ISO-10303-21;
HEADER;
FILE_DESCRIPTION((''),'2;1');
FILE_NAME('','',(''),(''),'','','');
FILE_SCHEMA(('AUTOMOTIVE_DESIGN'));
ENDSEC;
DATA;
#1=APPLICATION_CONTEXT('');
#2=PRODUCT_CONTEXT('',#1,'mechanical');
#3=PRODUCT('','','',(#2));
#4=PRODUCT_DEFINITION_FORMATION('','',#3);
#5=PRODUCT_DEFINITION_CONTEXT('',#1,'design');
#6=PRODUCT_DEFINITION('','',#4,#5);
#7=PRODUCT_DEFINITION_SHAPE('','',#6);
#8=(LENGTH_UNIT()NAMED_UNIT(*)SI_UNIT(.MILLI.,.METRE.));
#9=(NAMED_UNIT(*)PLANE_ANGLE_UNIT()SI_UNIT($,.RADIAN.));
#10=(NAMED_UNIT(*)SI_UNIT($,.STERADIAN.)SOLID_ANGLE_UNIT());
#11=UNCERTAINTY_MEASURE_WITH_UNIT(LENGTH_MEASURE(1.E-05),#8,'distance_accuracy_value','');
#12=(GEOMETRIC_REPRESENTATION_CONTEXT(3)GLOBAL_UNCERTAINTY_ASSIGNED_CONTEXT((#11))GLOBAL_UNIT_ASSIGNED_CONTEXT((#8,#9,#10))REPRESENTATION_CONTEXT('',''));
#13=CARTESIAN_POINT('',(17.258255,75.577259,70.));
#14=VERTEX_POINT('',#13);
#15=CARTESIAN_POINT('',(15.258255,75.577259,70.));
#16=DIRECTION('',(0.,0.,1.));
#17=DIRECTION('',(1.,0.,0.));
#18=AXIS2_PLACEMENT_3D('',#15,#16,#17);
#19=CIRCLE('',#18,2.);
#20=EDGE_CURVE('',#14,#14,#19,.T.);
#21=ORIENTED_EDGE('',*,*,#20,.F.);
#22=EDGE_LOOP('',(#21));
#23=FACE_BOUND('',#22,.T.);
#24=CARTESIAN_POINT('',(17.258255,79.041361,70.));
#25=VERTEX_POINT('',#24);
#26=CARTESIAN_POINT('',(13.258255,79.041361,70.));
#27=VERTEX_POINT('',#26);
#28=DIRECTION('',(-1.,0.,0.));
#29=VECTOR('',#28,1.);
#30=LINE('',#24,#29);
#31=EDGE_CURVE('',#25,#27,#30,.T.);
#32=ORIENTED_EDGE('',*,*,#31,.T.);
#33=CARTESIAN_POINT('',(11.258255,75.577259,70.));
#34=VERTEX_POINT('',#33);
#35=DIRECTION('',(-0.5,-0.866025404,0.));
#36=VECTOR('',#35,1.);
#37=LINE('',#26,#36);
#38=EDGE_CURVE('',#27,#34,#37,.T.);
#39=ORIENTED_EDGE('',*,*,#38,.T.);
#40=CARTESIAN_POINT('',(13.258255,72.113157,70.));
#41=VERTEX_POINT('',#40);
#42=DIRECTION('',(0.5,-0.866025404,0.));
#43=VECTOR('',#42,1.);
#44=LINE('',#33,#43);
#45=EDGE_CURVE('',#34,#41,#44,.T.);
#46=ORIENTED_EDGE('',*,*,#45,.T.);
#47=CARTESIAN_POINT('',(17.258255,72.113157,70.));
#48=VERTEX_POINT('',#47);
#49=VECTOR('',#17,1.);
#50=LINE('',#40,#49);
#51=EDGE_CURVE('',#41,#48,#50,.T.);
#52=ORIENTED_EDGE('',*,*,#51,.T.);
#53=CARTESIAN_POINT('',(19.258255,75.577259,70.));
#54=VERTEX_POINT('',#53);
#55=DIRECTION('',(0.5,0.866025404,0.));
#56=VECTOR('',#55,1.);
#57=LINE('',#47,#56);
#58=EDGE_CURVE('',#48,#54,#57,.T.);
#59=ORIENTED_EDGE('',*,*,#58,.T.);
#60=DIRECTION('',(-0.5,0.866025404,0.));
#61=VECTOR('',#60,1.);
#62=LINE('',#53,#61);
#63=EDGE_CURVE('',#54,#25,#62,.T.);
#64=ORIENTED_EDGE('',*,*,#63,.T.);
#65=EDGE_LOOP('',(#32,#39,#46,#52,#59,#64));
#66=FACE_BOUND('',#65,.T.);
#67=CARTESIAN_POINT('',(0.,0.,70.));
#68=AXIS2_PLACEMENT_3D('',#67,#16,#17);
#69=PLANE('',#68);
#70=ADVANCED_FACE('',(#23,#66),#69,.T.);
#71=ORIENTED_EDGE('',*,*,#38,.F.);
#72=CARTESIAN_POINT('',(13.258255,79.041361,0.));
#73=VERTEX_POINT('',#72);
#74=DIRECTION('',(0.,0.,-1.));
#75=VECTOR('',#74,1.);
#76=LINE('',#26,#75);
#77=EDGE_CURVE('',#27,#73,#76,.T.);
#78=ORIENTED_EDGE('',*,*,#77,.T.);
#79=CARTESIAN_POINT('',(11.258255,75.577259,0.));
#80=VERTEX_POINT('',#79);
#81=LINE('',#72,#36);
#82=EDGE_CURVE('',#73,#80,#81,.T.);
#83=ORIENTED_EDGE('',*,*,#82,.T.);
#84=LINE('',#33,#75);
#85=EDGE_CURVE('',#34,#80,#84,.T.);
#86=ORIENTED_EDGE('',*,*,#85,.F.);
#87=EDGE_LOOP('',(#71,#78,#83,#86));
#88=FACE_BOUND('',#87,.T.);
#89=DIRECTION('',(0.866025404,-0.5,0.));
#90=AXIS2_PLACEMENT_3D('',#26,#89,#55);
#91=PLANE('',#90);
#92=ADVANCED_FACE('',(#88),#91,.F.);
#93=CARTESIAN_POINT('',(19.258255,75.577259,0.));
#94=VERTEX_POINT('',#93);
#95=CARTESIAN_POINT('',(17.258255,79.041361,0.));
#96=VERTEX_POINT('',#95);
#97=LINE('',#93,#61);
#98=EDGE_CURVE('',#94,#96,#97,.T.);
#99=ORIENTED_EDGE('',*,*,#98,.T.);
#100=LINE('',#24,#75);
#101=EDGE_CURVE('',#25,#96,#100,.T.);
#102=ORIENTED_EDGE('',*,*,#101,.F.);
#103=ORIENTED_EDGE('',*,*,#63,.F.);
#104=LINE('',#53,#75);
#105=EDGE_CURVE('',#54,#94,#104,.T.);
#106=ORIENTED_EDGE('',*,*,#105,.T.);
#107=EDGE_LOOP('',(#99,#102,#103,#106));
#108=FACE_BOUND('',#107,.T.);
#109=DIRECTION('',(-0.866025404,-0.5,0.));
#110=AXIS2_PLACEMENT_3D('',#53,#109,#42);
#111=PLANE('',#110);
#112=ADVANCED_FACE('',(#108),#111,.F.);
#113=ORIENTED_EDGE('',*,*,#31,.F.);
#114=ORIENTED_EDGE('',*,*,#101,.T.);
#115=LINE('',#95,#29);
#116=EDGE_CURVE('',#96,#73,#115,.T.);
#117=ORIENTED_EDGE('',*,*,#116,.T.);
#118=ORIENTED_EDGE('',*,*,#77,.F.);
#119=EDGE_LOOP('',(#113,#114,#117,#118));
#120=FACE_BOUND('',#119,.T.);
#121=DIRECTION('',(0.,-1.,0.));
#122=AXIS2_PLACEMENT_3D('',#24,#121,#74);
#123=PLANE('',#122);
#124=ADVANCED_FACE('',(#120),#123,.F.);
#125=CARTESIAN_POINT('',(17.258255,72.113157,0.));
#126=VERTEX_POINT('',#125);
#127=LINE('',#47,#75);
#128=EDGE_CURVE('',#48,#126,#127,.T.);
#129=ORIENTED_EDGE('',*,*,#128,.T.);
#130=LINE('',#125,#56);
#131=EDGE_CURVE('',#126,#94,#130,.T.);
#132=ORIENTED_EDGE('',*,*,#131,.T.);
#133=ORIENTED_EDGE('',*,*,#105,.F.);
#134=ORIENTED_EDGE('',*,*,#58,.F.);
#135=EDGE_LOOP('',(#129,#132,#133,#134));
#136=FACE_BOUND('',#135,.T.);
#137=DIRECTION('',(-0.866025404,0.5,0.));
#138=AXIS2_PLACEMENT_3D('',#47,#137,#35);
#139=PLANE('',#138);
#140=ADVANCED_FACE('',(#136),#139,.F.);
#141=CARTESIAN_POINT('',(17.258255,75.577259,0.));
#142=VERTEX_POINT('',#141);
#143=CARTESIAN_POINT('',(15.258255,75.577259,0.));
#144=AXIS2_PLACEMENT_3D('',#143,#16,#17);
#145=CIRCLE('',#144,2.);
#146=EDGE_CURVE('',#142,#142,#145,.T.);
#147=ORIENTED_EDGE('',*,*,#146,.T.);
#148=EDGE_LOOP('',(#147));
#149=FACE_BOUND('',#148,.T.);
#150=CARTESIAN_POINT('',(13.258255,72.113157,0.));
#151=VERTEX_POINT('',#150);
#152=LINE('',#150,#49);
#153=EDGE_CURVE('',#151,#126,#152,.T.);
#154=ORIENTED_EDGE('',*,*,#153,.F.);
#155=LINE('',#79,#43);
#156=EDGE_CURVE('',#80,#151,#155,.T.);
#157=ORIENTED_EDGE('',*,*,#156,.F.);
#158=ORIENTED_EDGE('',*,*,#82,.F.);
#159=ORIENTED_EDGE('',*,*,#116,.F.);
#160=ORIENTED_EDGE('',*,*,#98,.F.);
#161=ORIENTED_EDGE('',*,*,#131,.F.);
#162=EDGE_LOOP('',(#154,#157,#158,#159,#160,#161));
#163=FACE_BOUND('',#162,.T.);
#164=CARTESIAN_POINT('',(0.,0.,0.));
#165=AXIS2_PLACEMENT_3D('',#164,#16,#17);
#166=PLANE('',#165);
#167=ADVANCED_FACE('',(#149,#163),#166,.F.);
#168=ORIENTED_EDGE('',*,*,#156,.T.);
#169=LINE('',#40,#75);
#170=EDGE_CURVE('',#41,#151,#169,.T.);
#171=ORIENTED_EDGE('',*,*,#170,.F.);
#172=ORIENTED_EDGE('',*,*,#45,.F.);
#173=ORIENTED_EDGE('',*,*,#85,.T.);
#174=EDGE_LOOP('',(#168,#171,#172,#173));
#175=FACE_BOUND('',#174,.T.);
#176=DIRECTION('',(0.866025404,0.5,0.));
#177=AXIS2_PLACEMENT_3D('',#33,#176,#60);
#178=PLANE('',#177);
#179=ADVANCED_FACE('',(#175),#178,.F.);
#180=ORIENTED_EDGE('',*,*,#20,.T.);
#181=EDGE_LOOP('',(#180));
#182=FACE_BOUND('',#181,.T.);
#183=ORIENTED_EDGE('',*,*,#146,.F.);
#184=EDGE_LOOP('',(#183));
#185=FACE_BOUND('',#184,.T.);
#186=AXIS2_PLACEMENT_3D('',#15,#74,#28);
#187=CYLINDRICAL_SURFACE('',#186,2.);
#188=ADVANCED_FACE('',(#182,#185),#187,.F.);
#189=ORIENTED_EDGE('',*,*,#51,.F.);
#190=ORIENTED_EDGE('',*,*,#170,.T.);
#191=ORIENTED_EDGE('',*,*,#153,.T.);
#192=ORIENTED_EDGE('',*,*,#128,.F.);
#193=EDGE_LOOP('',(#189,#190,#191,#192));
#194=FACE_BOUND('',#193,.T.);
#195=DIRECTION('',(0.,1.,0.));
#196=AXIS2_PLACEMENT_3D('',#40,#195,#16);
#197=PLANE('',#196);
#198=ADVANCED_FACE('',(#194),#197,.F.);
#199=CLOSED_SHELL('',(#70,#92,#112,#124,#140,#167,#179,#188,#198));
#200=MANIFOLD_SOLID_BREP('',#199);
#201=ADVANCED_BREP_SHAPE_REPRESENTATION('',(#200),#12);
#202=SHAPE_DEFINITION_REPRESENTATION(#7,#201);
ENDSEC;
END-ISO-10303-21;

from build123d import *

# Parameters (mm, degrees)
SKETCH_1_R      = 2
EXTRUDE_1_DEPTH = 70


with BuildPart() as part:
    # 草图1 → 凸台-拉伸1 (new body)
    with BuildSketch(Plane.XY):
        Polygon((19.258254751, 75.577259039), (17.258254751, 79.041360654), (13.258254751, 79.041360654), (11.258254751, 75.577259039), (13.258254751, 72.113157424), (17.258254751, 72.113157424), align=None)
        with Locations((15.258254751, 75.577259039)):
            Circle(SKETCH_1_R, mode=Mode.SUBTRACT)
    extrude(amount=EXTRUDE_1_DEPTH)


solid = part.part
